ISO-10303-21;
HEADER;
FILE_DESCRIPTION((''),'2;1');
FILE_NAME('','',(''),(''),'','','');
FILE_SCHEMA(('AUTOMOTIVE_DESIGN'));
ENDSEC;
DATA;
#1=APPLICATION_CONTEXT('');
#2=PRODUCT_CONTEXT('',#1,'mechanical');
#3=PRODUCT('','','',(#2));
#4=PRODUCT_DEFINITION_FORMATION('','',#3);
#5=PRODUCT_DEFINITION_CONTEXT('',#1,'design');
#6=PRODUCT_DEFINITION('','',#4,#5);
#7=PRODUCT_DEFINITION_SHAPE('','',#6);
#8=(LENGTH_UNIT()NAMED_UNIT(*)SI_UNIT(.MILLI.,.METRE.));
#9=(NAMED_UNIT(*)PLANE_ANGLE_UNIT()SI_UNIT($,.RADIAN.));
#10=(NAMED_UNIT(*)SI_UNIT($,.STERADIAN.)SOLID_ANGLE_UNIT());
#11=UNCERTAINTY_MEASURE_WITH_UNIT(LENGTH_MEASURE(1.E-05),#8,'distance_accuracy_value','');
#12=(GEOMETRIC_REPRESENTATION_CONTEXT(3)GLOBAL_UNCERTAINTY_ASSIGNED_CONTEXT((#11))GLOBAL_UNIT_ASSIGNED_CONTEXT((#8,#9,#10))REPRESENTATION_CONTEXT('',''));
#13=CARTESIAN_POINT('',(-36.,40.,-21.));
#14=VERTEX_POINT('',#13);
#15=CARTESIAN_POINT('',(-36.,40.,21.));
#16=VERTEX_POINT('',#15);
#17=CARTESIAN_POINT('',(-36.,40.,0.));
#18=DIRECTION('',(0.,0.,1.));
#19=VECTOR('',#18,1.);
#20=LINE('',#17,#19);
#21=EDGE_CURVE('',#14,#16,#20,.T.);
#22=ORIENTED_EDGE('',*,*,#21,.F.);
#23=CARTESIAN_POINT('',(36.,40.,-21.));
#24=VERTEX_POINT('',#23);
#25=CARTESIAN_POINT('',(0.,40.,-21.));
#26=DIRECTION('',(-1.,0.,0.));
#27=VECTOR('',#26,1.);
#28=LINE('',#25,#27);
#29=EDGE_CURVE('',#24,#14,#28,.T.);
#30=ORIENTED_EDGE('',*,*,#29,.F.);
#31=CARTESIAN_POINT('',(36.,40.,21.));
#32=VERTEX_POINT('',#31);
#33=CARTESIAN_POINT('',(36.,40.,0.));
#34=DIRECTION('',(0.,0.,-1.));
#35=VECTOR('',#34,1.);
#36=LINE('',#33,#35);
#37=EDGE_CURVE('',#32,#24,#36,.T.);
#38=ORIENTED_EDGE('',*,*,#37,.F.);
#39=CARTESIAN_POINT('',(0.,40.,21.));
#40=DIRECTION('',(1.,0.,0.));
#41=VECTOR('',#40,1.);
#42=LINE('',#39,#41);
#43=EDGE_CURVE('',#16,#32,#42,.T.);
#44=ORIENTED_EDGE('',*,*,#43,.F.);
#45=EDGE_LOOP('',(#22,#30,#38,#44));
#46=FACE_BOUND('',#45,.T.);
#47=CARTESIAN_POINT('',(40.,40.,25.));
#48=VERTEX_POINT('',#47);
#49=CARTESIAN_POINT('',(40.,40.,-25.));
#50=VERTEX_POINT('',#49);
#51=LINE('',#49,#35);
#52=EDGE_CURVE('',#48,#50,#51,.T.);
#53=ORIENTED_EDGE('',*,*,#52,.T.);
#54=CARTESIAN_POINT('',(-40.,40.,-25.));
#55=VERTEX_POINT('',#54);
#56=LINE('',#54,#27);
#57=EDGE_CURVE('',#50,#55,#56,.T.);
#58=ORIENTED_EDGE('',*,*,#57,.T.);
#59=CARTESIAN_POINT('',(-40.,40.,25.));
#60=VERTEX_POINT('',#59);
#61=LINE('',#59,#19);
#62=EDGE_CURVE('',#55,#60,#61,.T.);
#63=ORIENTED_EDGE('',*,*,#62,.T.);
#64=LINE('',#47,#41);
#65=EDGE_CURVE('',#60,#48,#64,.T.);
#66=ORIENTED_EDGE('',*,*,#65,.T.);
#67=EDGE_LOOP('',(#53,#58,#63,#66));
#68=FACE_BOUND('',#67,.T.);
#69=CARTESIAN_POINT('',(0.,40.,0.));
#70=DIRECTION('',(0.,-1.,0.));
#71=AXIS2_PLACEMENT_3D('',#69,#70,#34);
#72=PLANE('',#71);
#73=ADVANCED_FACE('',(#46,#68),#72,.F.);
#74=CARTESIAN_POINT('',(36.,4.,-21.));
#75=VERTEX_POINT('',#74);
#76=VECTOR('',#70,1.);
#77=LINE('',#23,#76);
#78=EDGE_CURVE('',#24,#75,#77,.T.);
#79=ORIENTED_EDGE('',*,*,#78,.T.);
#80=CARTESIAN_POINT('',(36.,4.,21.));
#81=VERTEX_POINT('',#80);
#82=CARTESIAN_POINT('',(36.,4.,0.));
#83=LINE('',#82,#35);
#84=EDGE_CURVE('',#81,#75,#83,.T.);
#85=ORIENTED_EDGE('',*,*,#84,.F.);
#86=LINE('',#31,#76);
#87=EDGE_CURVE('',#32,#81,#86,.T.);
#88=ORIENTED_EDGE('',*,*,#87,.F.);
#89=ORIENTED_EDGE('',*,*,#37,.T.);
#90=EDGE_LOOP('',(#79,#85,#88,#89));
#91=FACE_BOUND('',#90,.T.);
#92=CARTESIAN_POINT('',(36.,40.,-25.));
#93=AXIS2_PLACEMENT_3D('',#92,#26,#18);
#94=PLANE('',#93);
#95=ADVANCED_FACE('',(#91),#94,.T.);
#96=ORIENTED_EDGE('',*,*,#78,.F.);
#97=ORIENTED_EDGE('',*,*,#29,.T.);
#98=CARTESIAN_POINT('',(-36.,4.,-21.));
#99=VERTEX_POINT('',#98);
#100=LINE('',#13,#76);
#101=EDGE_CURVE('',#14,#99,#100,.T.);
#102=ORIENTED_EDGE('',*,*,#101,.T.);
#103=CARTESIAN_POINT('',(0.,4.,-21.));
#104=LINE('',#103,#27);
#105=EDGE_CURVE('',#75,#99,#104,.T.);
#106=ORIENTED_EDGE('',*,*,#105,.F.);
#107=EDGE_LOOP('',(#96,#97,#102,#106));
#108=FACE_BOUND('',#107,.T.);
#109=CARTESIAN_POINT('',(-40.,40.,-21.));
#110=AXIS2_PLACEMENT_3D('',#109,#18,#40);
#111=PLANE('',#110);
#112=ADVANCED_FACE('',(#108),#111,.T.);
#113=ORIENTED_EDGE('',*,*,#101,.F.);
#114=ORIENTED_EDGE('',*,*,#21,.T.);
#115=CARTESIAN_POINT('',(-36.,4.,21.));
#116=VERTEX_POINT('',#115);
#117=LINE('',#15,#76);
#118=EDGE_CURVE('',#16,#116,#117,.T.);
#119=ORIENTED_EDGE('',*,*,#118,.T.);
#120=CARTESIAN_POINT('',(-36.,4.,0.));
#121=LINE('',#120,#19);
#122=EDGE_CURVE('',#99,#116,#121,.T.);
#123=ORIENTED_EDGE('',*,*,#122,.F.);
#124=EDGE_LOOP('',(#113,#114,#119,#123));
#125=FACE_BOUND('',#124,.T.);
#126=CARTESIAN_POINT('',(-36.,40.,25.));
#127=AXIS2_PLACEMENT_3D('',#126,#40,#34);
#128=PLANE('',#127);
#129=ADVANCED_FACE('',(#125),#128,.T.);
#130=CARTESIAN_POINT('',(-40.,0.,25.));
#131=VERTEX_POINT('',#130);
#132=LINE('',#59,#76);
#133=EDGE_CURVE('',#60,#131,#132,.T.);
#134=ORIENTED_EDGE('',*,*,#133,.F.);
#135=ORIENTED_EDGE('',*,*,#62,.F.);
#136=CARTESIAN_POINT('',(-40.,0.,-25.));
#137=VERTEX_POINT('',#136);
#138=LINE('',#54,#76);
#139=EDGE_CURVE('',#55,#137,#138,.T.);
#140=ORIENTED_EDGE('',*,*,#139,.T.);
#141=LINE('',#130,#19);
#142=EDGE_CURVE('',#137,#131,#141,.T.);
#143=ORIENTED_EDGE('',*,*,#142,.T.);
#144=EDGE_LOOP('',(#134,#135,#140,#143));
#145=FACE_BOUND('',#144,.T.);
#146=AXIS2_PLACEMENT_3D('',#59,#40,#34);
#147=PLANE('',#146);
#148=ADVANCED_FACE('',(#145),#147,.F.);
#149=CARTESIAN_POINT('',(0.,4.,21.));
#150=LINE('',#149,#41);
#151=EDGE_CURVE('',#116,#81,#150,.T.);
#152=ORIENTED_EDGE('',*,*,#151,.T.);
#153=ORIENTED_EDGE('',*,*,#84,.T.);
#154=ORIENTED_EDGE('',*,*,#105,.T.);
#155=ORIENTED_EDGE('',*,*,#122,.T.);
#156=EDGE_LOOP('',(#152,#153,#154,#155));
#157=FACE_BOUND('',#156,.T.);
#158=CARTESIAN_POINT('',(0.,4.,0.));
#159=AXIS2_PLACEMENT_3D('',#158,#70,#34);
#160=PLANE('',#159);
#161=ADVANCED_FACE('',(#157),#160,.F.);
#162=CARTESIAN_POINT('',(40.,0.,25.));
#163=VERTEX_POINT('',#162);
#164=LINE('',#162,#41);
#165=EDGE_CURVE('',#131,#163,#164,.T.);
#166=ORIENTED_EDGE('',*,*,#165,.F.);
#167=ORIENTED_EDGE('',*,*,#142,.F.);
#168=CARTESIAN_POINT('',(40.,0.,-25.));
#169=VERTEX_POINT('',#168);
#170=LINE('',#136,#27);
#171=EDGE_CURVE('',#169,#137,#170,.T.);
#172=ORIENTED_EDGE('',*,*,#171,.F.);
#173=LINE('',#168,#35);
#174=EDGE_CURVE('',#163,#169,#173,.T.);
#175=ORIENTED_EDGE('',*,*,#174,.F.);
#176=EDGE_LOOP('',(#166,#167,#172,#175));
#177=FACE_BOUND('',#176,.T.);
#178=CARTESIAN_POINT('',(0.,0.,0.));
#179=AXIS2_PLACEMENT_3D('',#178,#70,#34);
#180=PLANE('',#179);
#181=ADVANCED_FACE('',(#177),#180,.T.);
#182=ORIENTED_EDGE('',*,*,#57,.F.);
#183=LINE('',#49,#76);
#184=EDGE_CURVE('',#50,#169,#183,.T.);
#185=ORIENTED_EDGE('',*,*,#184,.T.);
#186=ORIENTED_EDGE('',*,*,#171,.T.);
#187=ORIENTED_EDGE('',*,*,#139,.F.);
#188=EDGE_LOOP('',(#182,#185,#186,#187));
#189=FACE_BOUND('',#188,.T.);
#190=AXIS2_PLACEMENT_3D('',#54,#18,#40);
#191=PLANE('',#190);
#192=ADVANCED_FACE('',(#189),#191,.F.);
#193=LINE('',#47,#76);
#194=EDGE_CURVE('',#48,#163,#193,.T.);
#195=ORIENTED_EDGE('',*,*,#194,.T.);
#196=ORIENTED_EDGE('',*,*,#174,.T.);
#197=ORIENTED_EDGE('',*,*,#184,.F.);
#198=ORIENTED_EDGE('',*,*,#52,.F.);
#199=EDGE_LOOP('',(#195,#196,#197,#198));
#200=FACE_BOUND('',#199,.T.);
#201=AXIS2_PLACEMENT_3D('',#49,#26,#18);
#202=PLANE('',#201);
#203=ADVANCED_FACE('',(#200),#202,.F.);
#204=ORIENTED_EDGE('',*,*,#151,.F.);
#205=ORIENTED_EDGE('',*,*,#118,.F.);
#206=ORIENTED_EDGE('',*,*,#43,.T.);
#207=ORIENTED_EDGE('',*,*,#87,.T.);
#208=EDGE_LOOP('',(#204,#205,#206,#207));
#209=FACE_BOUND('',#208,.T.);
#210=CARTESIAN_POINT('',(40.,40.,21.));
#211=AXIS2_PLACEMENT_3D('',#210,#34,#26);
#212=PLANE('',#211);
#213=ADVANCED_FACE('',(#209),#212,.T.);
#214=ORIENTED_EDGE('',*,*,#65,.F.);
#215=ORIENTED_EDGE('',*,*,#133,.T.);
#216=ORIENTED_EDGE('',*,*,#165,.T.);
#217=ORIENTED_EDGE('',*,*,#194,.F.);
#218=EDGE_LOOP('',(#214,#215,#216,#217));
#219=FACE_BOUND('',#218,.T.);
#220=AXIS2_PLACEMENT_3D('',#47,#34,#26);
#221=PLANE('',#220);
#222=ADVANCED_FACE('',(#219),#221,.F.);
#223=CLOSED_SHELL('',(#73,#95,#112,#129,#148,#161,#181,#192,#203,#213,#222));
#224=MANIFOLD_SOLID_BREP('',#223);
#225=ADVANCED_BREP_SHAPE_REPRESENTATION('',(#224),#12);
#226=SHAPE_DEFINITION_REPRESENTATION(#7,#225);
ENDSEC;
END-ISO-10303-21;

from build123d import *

# Parameters (mm, degrees)
SKETCH_1_W      = 80
SKETCH_1_H      = 50
EXTRUDE_1_DEPTH = 40
SHELL_1_T       = -4


with BuildPart() as part:
    # 草图1 → 凸台-拉伸1 (new body)
    with BuildSketch(Plane(origin=(0, 0, 0), x_dir=(1, 0, 0), z_dir=(0, 1, 0))):
        Rectangle(SKETCH_1_W, SKETCH_1_H)
    extrude(amount=EXTRUDE_1_DEPTH)

    # 抽壳1
    shell_1_openings = [part.faces().sort_by_distance(p)[0] for p in [
        (0, 40, 0),
    ]]
    offset(amount=SHELL_1_T, openings=shell_1_openings, kind=Kind.INTERSECTION)


solid = part.part
